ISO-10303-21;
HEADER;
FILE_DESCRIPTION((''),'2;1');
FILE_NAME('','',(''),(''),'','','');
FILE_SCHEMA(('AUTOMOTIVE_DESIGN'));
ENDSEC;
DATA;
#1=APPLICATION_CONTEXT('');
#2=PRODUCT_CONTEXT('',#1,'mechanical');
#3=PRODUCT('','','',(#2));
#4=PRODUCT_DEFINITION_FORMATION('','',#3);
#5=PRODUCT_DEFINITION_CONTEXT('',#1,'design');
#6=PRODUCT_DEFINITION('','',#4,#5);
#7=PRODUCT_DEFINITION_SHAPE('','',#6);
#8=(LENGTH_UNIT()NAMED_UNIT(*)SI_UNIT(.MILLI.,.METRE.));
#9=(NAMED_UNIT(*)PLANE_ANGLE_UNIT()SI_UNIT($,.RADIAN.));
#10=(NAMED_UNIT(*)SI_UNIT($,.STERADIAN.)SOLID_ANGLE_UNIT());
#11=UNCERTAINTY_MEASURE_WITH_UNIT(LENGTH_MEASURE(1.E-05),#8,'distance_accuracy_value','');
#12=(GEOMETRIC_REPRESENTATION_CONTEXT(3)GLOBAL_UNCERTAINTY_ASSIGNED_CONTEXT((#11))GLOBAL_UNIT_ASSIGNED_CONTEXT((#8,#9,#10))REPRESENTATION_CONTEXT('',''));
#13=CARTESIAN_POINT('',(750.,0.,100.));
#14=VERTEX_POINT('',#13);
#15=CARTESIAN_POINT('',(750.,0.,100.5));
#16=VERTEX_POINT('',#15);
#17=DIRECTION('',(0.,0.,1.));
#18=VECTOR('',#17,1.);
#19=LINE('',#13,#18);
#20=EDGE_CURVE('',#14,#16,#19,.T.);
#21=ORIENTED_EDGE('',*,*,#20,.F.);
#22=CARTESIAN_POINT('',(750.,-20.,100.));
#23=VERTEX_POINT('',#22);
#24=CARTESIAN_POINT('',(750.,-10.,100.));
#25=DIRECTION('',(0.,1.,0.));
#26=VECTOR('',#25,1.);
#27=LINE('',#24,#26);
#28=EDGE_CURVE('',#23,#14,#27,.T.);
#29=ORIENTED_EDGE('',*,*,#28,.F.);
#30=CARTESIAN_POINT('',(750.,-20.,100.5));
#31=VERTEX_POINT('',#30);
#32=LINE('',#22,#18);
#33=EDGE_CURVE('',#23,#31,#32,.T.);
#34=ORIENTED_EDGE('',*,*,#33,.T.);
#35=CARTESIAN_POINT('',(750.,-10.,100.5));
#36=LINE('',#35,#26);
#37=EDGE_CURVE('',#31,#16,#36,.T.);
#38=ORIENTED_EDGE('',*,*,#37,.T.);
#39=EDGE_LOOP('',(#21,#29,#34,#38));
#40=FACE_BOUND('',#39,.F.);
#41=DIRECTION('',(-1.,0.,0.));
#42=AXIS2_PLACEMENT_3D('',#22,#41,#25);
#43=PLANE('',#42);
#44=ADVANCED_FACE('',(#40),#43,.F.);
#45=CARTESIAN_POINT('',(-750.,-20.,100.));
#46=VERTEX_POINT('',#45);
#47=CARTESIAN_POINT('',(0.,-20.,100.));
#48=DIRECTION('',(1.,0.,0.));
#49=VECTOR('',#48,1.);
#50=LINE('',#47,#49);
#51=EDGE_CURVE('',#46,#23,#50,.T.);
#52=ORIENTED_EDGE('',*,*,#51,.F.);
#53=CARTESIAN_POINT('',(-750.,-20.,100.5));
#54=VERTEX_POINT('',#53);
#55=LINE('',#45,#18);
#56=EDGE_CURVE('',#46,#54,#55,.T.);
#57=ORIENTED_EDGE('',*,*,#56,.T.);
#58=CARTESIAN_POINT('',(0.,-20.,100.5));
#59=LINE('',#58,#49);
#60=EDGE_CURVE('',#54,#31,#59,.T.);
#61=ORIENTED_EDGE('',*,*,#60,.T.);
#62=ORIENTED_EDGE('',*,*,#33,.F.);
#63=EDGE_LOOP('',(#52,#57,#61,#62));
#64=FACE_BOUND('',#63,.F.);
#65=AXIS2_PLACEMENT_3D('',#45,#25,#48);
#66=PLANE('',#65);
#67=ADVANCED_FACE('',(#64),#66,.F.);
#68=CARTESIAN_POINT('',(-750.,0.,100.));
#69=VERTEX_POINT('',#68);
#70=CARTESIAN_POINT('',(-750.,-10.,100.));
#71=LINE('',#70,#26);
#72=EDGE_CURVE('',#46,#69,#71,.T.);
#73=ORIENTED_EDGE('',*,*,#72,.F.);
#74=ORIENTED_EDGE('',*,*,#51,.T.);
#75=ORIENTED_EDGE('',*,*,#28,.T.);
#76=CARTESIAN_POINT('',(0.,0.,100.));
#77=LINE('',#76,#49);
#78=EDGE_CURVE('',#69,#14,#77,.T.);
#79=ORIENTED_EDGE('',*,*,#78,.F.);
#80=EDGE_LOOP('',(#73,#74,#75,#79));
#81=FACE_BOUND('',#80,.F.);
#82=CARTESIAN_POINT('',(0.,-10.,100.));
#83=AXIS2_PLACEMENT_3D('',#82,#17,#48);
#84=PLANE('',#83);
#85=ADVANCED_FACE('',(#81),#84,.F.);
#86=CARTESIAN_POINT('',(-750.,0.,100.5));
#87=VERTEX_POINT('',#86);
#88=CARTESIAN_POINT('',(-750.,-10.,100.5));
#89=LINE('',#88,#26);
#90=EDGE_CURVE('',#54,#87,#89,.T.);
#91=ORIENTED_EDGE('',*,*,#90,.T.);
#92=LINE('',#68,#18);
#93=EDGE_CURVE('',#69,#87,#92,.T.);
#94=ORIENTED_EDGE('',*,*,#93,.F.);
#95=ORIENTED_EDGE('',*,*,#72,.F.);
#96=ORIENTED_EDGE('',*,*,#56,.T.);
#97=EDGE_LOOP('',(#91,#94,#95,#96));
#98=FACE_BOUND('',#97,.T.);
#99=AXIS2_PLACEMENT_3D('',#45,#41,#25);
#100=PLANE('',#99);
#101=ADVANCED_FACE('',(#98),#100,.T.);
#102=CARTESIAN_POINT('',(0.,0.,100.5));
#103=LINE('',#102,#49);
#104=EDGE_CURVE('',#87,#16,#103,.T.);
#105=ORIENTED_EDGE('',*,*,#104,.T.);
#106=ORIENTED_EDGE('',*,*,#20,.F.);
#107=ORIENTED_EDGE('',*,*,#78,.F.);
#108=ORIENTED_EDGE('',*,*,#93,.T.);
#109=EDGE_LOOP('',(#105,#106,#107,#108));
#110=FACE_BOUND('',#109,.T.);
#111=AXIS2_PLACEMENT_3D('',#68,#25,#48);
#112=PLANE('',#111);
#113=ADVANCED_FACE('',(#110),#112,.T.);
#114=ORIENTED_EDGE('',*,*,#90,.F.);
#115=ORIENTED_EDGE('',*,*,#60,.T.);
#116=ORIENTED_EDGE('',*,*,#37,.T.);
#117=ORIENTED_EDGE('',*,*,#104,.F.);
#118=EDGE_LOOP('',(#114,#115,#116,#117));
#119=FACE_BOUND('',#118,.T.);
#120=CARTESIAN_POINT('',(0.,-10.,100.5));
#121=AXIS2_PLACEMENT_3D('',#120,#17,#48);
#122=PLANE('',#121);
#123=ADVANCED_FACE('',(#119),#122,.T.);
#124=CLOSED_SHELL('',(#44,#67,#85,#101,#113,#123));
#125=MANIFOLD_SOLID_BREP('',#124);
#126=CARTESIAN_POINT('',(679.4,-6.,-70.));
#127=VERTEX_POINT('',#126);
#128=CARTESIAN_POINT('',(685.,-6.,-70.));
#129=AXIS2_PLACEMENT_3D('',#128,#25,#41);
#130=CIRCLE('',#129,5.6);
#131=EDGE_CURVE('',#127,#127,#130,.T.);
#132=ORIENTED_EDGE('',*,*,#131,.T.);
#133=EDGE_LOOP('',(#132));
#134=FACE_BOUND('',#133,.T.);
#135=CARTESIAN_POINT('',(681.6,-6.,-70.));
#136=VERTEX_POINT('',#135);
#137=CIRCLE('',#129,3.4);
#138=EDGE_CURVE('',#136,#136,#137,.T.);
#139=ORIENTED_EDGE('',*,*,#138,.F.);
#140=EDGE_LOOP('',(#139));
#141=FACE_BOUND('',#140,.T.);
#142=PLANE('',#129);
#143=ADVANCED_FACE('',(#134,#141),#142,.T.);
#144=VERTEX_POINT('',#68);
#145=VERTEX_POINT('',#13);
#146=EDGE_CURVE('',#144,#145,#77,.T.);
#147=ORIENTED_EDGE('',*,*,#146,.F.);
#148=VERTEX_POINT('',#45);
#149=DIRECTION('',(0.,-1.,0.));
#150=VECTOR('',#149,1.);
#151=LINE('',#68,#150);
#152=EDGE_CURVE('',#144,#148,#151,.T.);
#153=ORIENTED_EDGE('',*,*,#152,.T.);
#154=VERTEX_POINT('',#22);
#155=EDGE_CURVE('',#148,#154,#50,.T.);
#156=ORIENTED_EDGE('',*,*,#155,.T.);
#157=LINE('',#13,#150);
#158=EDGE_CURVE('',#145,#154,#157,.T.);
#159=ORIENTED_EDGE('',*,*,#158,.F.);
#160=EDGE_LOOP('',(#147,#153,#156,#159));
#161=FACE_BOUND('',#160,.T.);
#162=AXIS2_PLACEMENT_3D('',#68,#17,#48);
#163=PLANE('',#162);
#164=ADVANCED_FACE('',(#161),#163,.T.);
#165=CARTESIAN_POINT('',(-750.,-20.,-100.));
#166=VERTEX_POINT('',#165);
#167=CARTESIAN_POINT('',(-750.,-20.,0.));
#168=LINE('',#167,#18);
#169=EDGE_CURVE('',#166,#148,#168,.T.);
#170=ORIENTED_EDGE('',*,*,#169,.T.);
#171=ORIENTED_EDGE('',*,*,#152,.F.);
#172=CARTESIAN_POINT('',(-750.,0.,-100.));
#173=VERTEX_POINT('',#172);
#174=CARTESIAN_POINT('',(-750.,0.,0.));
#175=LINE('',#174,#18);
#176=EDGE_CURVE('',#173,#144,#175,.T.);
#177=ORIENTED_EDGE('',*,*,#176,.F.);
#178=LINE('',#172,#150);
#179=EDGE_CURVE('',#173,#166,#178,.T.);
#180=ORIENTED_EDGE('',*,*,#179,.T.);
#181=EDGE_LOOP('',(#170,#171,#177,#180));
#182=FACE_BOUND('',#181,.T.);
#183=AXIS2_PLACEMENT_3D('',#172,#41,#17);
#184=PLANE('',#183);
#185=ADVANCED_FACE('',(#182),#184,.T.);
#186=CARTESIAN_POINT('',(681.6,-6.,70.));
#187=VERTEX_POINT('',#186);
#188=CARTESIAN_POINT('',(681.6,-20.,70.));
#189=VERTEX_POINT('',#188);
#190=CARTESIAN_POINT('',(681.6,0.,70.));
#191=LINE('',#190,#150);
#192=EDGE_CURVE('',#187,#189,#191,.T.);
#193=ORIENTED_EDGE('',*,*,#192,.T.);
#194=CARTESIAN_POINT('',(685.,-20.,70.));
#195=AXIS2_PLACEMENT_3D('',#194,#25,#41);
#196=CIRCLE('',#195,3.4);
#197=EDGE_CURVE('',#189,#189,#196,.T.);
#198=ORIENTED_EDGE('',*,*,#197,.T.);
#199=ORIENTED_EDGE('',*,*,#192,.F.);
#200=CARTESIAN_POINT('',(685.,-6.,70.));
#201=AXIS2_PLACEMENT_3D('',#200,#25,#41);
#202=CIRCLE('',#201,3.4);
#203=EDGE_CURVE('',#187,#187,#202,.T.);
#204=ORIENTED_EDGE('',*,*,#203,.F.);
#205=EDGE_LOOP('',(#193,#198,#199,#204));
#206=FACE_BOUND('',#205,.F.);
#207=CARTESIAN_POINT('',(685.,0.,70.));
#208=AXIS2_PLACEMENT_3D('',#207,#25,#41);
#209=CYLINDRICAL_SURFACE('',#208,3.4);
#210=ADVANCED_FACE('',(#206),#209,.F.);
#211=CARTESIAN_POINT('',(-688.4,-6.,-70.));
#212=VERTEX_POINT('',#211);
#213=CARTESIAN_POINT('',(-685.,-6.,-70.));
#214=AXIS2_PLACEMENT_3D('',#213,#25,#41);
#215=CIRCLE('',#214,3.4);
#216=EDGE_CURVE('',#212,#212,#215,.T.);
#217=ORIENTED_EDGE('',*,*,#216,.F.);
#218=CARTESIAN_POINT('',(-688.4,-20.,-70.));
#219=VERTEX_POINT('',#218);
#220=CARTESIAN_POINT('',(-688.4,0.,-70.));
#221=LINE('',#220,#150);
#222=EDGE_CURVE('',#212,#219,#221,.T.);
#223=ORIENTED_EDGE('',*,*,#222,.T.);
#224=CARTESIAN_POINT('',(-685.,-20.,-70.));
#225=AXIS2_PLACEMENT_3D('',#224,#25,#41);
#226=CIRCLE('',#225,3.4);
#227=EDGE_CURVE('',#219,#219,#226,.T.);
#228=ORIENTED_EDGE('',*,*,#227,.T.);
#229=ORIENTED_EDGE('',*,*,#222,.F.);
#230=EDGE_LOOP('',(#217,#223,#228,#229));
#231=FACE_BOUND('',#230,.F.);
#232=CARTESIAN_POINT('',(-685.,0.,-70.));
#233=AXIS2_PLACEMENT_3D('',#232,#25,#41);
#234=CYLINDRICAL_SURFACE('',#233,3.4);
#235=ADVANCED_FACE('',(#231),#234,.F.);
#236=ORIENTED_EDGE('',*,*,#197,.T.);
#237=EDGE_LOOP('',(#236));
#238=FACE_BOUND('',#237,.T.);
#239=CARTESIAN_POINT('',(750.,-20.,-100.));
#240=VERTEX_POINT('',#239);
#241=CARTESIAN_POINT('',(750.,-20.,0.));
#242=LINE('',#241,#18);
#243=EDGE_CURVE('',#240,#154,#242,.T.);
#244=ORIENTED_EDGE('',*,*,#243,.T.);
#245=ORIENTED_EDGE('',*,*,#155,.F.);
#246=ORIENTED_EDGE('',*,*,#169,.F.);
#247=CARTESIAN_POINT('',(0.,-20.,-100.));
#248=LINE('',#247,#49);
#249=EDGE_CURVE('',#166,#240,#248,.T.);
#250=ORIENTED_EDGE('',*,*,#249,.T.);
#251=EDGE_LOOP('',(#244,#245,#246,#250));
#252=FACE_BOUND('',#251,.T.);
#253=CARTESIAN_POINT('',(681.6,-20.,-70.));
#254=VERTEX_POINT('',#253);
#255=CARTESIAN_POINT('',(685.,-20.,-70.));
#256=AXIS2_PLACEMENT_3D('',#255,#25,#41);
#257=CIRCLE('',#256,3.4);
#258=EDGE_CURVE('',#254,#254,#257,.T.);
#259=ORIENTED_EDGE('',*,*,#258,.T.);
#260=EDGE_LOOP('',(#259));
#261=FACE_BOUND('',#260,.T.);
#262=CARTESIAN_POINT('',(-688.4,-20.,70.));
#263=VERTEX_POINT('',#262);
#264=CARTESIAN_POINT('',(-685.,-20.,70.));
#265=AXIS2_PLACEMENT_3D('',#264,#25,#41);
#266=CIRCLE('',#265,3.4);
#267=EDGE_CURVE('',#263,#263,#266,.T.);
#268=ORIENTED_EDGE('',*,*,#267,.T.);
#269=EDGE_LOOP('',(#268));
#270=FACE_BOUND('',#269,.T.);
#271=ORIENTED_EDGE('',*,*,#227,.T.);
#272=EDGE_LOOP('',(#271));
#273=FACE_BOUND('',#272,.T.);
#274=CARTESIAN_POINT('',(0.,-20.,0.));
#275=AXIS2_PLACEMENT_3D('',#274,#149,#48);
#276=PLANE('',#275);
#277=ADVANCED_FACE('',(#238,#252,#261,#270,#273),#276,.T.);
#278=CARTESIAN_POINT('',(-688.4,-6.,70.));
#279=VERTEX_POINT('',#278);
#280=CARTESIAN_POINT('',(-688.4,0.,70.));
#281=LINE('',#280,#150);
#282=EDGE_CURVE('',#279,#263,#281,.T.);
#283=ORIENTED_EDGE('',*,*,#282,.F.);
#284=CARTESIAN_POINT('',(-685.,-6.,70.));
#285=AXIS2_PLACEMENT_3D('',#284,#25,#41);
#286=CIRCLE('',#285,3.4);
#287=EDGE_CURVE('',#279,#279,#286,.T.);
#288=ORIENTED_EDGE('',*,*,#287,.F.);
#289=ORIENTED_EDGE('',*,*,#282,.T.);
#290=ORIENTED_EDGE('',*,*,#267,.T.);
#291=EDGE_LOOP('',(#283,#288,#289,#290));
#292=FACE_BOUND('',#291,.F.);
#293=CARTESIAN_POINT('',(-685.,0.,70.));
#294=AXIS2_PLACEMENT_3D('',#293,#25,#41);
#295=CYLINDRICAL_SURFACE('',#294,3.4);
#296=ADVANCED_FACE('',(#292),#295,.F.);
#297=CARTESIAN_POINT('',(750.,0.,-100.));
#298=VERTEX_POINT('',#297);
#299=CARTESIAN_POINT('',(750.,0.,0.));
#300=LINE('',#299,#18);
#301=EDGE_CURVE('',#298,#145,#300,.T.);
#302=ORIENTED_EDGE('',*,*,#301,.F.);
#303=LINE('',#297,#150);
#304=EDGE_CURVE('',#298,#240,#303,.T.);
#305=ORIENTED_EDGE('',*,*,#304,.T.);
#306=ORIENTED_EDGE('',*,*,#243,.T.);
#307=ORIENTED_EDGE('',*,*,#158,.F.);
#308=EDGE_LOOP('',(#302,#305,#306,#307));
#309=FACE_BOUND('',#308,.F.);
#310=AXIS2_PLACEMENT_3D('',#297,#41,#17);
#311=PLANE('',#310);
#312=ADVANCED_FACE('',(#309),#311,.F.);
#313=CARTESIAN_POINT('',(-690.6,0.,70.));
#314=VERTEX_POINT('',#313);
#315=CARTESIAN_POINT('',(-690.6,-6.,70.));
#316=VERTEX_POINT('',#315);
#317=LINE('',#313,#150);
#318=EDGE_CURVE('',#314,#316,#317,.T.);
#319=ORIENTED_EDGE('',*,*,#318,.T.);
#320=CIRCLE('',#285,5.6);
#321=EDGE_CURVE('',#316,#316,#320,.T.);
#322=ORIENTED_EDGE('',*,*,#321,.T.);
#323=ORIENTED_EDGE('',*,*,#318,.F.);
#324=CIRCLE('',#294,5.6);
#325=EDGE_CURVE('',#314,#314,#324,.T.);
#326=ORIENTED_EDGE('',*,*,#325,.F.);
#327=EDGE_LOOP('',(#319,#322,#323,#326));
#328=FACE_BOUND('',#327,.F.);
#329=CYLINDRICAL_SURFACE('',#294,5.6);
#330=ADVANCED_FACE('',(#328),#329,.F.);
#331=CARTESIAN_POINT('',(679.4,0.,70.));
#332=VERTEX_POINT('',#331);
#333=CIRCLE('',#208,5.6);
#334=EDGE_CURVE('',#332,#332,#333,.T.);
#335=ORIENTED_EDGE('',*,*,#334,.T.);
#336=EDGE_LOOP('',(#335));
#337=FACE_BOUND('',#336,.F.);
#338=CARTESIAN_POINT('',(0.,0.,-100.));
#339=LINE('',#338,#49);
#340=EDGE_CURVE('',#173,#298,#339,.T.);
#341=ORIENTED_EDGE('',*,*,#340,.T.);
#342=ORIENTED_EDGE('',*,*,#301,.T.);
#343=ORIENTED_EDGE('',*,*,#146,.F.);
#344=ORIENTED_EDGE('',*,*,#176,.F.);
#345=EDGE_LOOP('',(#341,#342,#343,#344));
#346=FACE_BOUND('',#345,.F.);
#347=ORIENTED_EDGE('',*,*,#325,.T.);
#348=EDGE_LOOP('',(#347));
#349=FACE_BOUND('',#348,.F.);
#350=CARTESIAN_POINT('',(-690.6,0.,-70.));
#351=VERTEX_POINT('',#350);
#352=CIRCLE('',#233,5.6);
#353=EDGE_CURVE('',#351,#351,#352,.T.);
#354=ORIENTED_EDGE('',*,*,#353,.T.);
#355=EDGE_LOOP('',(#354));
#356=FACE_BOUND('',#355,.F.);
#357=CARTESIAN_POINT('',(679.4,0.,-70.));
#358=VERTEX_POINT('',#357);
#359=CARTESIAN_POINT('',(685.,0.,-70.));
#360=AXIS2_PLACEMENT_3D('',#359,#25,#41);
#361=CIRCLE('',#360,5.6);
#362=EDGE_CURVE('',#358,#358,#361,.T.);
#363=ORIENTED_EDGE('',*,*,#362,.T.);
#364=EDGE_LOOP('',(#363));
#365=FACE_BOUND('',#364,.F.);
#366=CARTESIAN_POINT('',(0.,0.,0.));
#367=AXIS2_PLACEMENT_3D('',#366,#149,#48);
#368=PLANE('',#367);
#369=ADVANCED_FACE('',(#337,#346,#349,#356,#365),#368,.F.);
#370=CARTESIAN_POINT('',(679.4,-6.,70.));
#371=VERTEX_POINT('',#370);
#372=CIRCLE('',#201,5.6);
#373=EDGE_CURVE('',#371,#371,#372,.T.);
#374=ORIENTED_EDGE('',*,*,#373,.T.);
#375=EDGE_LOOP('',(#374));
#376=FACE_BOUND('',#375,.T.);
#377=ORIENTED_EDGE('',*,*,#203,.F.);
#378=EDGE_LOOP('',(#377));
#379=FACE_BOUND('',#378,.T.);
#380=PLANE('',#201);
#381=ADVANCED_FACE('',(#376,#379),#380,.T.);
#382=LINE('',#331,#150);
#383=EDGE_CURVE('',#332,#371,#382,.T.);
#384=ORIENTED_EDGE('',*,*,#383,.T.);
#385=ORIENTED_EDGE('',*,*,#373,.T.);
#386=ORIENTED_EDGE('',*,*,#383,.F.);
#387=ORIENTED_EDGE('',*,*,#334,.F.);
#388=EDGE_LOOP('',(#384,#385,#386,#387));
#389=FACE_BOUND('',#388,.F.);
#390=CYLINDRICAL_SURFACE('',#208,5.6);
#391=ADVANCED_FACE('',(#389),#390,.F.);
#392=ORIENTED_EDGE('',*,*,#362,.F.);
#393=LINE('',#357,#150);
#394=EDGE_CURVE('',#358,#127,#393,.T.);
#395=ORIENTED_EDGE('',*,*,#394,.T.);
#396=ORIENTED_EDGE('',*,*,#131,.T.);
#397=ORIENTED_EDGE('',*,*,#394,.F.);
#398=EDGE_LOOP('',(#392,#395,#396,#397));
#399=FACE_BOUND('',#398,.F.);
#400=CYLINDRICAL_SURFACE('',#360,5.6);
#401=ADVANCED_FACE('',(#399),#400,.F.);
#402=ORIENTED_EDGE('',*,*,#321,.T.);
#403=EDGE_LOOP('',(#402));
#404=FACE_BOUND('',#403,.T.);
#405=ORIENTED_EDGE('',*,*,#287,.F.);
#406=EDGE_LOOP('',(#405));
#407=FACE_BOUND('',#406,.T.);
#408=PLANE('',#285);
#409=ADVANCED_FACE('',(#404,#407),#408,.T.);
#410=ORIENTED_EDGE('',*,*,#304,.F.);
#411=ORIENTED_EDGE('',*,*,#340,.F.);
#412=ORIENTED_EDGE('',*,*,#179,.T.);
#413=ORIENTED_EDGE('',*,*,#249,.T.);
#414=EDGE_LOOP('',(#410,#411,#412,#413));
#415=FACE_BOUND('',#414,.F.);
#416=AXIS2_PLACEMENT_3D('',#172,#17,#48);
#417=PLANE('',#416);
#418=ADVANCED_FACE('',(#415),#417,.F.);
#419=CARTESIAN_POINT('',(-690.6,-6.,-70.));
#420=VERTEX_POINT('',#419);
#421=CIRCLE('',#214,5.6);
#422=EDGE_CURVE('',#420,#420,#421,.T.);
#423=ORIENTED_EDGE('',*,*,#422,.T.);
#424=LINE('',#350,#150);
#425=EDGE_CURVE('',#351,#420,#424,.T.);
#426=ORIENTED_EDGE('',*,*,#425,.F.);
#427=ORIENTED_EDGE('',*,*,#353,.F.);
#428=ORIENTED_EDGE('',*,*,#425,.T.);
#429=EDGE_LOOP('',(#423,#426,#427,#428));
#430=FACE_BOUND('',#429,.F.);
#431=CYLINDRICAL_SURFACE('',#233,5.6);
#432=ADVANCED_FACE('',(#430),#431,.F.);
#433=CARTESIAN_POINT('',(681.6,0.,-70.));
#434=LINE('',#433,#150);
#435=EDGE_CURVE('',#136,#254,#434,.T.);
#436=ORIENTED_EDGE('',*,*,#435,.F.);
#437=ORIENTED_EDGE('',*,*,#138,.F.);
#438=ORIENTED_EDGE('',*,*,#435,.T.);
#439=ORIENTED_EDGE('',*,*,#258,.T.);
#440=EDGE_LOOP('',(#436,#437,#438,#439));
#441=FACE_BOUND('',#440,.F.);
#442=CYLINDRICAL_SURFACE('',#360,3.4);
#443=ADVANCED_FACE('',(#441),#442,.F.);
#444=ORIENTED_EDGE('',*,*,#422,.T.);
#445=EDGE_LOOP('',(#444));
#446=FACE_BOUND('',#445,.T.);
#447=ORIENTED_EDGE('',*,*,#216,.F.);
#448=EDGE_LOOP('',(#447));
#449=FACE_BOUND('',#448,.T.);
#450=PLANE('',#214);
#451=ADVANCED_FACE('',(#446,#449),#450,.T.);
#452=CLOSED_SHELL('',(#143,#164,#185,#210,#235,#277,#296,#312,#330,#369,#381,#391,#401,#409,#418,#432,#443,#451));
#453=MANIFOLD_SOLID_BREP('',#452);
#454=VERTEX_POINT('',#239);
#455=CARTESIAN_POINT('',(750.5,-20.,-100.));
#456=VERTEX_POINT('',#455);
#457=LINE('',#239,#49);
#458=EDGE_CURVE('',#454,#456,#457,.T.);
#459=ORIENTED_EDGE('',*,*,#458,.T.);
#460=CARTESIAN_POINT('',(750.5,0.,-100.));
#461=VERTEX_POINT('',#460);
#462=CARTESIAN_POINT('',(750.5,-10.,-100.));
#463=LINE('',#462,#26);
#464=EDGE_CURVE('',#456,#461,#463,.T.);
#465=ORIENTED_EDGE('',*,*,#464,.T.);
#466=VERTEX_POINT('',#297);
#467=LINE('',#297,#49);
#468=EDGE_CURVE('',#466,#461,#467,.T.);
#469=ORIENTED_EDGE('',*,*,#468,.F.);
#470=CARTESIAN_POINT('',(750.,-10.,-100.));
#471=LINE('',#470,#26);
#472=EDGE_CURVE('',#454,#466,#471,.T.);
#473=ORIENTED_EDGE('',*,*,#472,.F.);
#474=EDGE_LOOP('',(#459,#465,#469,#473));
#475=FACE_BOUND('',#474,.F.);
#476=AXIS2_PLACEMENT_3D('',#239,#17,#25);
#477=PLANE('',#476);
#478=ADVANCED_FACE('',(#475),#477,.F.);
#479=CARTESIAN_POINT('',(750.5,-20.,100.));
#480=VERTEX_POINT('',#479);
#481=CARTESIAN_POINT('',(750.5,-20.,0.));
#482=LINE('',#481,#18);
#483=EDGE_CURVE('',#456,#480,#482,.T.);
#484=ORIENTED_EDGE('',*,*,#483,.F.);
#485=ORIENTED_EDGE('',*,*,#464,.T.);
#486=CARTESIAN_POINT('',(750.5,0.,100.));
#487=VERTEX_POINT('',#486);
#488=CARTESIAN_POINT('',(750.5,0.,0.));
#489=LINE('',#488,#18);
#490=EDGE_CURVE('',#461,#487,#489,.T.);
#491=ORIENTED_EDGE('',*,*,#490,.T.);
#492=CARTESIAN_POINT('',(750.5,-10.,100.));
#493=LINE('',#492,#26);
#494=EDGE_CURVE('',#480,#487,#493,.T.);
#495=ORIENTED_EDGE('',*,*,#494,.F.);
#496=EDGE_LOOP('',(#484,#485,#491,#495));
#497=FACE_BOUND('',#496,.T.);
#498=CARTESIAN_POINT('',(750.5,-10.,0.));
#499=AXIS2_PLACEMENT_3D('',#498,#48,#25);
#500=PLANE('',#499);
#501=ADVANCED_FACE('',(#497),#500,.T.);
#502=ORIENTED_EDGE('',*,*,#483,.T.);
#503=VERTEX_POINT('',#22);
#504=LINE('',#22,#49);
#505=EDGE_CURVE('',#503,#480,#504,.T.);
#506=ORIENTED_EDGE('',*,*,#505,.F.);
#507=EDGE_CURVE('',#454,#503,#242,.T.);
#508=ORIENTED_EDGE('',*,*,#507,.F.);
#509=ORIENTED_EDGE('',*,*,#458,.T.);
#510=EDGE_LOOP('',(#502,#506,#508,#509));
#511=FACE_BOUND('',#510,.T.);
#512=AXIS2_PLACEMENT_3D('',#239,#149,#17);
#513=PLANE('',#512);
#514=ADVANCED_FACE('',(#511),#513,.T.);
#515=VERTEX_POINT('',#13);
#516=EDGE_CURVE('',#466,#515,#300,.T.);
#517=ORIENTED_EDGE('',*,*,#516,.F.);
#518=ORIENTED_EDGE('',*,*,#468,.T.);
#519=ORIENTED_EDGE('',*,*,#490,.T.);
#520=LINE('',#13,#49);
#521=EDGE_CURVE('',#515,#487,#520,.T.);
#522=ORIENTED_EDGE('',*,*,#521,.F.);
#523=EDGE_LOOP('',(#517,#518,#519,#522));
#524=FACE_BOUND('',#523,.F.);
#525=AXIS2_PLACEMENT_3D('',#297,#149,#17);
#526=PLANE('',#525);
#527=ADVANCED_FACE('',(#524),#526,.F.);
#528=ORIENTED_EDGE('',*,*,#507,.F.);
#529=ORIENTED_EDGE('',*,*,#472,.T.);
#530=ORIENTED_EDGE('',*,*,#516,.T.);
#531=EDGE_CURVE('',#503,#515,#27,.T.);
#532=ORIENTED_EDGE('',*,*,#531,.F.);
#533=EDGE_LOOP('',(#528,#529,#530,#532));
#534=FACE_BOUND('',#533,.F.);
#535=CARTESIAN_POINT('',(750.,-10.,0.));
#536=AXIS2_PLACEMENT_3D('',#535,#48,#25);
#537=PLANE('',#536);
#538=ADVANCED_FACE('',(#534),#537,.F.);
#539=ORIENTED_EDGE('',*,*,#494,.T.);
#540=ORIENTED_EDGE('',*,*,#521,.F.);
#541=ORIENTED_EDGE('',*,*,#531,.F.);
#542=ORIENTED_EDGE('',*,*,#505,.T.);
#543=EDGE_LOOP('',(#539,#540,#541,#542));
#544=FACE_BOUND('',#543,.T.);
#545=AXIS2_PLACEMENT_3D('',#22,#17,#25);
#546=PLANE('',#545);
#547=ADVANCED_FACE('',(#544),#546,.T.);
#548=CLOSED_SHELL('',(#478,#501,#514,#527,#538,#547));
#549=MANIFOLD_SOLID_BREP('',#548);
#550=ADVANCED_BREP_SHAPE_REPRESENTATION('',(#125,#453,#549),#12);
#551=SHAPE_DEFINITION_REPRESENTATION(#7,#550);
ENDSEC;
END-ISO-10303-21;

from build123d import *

# Parameters (mm, degrees)
F0_W     = 1500
F0_H     = 200
F1_DEPTH = 20
F2_R     = 5.6
F4_DEPTH = 6
F3_R     = 3.4
F5_DEPTH = 20.001
F6_W     = 1500
F6_H     = 20
F7_DEPTH = 0.5
F8_W     = 20
F8_H     = 200
F9_DEPTH = 0.5


with BuildPart() as f1:
    # F0 (on Front) → F1 (new body)
    with BuildSketch(Plane.XZ):
        Rectangle(F0_W, F0_H)
    extrude(amount=F1_DEPTH)

    # F2 (on face) → F4 (cut)
    with BuildSketch(Plane(origin=(0, 0, 0), x_dir=(-1, 0, 0), z_dir=(0, 1, 0))):
        with Locations((-685, 70)):
            Circle(F2_R)
        with Locations((-685, -70)):
            Circle(F2_R)
        with Locations((685, 70)):
            Circle(F2_R)
        with Locations((685, -70)):
            Circle(F2_R)
    extrude(amount=-F4_DEPTH, mode=Mode.SUBTRACT)

    # F3 (on face) → F5 (cut, through all)
    with BuildSketch(Plane(origin=(0, 0, 0), x_dir=(-1, 0, 0), z_dir=(0, 1, 0))):
        with Locations((-685, 70)):
            Circle(F3_R)
        with Locations((-685, -70)):
            Circle(F3_R)
        with Locations((685, 70)):
            Circle(F3_R)
        with Locations((685, -70)):
            Circle(F3_R)
    extrude(amount=-F5_DEPTH, mode=Mode.SUBTRACT)


with BuildPart() as f7:
    # F6 (on face) → F7 (new body)
    with BuildSketch(Plane.XY.offset(100)):
        with Locations((0, -10)):
            Rectangle(F6_W, F6_H)
    extrude(amount=F7_DEPTH)


with BuildPart() as f9:
    # F8 (on face) → F9 (new body)
    with BuildSketch(Plane.YZ.offset(750)):
        with Locations((-10, 0)):
            Rectangle(F8_W, F8_H)
    extrude(amount=F9_DEPTH)


solid = Compound([f1.part, f7.part, f9.part])
